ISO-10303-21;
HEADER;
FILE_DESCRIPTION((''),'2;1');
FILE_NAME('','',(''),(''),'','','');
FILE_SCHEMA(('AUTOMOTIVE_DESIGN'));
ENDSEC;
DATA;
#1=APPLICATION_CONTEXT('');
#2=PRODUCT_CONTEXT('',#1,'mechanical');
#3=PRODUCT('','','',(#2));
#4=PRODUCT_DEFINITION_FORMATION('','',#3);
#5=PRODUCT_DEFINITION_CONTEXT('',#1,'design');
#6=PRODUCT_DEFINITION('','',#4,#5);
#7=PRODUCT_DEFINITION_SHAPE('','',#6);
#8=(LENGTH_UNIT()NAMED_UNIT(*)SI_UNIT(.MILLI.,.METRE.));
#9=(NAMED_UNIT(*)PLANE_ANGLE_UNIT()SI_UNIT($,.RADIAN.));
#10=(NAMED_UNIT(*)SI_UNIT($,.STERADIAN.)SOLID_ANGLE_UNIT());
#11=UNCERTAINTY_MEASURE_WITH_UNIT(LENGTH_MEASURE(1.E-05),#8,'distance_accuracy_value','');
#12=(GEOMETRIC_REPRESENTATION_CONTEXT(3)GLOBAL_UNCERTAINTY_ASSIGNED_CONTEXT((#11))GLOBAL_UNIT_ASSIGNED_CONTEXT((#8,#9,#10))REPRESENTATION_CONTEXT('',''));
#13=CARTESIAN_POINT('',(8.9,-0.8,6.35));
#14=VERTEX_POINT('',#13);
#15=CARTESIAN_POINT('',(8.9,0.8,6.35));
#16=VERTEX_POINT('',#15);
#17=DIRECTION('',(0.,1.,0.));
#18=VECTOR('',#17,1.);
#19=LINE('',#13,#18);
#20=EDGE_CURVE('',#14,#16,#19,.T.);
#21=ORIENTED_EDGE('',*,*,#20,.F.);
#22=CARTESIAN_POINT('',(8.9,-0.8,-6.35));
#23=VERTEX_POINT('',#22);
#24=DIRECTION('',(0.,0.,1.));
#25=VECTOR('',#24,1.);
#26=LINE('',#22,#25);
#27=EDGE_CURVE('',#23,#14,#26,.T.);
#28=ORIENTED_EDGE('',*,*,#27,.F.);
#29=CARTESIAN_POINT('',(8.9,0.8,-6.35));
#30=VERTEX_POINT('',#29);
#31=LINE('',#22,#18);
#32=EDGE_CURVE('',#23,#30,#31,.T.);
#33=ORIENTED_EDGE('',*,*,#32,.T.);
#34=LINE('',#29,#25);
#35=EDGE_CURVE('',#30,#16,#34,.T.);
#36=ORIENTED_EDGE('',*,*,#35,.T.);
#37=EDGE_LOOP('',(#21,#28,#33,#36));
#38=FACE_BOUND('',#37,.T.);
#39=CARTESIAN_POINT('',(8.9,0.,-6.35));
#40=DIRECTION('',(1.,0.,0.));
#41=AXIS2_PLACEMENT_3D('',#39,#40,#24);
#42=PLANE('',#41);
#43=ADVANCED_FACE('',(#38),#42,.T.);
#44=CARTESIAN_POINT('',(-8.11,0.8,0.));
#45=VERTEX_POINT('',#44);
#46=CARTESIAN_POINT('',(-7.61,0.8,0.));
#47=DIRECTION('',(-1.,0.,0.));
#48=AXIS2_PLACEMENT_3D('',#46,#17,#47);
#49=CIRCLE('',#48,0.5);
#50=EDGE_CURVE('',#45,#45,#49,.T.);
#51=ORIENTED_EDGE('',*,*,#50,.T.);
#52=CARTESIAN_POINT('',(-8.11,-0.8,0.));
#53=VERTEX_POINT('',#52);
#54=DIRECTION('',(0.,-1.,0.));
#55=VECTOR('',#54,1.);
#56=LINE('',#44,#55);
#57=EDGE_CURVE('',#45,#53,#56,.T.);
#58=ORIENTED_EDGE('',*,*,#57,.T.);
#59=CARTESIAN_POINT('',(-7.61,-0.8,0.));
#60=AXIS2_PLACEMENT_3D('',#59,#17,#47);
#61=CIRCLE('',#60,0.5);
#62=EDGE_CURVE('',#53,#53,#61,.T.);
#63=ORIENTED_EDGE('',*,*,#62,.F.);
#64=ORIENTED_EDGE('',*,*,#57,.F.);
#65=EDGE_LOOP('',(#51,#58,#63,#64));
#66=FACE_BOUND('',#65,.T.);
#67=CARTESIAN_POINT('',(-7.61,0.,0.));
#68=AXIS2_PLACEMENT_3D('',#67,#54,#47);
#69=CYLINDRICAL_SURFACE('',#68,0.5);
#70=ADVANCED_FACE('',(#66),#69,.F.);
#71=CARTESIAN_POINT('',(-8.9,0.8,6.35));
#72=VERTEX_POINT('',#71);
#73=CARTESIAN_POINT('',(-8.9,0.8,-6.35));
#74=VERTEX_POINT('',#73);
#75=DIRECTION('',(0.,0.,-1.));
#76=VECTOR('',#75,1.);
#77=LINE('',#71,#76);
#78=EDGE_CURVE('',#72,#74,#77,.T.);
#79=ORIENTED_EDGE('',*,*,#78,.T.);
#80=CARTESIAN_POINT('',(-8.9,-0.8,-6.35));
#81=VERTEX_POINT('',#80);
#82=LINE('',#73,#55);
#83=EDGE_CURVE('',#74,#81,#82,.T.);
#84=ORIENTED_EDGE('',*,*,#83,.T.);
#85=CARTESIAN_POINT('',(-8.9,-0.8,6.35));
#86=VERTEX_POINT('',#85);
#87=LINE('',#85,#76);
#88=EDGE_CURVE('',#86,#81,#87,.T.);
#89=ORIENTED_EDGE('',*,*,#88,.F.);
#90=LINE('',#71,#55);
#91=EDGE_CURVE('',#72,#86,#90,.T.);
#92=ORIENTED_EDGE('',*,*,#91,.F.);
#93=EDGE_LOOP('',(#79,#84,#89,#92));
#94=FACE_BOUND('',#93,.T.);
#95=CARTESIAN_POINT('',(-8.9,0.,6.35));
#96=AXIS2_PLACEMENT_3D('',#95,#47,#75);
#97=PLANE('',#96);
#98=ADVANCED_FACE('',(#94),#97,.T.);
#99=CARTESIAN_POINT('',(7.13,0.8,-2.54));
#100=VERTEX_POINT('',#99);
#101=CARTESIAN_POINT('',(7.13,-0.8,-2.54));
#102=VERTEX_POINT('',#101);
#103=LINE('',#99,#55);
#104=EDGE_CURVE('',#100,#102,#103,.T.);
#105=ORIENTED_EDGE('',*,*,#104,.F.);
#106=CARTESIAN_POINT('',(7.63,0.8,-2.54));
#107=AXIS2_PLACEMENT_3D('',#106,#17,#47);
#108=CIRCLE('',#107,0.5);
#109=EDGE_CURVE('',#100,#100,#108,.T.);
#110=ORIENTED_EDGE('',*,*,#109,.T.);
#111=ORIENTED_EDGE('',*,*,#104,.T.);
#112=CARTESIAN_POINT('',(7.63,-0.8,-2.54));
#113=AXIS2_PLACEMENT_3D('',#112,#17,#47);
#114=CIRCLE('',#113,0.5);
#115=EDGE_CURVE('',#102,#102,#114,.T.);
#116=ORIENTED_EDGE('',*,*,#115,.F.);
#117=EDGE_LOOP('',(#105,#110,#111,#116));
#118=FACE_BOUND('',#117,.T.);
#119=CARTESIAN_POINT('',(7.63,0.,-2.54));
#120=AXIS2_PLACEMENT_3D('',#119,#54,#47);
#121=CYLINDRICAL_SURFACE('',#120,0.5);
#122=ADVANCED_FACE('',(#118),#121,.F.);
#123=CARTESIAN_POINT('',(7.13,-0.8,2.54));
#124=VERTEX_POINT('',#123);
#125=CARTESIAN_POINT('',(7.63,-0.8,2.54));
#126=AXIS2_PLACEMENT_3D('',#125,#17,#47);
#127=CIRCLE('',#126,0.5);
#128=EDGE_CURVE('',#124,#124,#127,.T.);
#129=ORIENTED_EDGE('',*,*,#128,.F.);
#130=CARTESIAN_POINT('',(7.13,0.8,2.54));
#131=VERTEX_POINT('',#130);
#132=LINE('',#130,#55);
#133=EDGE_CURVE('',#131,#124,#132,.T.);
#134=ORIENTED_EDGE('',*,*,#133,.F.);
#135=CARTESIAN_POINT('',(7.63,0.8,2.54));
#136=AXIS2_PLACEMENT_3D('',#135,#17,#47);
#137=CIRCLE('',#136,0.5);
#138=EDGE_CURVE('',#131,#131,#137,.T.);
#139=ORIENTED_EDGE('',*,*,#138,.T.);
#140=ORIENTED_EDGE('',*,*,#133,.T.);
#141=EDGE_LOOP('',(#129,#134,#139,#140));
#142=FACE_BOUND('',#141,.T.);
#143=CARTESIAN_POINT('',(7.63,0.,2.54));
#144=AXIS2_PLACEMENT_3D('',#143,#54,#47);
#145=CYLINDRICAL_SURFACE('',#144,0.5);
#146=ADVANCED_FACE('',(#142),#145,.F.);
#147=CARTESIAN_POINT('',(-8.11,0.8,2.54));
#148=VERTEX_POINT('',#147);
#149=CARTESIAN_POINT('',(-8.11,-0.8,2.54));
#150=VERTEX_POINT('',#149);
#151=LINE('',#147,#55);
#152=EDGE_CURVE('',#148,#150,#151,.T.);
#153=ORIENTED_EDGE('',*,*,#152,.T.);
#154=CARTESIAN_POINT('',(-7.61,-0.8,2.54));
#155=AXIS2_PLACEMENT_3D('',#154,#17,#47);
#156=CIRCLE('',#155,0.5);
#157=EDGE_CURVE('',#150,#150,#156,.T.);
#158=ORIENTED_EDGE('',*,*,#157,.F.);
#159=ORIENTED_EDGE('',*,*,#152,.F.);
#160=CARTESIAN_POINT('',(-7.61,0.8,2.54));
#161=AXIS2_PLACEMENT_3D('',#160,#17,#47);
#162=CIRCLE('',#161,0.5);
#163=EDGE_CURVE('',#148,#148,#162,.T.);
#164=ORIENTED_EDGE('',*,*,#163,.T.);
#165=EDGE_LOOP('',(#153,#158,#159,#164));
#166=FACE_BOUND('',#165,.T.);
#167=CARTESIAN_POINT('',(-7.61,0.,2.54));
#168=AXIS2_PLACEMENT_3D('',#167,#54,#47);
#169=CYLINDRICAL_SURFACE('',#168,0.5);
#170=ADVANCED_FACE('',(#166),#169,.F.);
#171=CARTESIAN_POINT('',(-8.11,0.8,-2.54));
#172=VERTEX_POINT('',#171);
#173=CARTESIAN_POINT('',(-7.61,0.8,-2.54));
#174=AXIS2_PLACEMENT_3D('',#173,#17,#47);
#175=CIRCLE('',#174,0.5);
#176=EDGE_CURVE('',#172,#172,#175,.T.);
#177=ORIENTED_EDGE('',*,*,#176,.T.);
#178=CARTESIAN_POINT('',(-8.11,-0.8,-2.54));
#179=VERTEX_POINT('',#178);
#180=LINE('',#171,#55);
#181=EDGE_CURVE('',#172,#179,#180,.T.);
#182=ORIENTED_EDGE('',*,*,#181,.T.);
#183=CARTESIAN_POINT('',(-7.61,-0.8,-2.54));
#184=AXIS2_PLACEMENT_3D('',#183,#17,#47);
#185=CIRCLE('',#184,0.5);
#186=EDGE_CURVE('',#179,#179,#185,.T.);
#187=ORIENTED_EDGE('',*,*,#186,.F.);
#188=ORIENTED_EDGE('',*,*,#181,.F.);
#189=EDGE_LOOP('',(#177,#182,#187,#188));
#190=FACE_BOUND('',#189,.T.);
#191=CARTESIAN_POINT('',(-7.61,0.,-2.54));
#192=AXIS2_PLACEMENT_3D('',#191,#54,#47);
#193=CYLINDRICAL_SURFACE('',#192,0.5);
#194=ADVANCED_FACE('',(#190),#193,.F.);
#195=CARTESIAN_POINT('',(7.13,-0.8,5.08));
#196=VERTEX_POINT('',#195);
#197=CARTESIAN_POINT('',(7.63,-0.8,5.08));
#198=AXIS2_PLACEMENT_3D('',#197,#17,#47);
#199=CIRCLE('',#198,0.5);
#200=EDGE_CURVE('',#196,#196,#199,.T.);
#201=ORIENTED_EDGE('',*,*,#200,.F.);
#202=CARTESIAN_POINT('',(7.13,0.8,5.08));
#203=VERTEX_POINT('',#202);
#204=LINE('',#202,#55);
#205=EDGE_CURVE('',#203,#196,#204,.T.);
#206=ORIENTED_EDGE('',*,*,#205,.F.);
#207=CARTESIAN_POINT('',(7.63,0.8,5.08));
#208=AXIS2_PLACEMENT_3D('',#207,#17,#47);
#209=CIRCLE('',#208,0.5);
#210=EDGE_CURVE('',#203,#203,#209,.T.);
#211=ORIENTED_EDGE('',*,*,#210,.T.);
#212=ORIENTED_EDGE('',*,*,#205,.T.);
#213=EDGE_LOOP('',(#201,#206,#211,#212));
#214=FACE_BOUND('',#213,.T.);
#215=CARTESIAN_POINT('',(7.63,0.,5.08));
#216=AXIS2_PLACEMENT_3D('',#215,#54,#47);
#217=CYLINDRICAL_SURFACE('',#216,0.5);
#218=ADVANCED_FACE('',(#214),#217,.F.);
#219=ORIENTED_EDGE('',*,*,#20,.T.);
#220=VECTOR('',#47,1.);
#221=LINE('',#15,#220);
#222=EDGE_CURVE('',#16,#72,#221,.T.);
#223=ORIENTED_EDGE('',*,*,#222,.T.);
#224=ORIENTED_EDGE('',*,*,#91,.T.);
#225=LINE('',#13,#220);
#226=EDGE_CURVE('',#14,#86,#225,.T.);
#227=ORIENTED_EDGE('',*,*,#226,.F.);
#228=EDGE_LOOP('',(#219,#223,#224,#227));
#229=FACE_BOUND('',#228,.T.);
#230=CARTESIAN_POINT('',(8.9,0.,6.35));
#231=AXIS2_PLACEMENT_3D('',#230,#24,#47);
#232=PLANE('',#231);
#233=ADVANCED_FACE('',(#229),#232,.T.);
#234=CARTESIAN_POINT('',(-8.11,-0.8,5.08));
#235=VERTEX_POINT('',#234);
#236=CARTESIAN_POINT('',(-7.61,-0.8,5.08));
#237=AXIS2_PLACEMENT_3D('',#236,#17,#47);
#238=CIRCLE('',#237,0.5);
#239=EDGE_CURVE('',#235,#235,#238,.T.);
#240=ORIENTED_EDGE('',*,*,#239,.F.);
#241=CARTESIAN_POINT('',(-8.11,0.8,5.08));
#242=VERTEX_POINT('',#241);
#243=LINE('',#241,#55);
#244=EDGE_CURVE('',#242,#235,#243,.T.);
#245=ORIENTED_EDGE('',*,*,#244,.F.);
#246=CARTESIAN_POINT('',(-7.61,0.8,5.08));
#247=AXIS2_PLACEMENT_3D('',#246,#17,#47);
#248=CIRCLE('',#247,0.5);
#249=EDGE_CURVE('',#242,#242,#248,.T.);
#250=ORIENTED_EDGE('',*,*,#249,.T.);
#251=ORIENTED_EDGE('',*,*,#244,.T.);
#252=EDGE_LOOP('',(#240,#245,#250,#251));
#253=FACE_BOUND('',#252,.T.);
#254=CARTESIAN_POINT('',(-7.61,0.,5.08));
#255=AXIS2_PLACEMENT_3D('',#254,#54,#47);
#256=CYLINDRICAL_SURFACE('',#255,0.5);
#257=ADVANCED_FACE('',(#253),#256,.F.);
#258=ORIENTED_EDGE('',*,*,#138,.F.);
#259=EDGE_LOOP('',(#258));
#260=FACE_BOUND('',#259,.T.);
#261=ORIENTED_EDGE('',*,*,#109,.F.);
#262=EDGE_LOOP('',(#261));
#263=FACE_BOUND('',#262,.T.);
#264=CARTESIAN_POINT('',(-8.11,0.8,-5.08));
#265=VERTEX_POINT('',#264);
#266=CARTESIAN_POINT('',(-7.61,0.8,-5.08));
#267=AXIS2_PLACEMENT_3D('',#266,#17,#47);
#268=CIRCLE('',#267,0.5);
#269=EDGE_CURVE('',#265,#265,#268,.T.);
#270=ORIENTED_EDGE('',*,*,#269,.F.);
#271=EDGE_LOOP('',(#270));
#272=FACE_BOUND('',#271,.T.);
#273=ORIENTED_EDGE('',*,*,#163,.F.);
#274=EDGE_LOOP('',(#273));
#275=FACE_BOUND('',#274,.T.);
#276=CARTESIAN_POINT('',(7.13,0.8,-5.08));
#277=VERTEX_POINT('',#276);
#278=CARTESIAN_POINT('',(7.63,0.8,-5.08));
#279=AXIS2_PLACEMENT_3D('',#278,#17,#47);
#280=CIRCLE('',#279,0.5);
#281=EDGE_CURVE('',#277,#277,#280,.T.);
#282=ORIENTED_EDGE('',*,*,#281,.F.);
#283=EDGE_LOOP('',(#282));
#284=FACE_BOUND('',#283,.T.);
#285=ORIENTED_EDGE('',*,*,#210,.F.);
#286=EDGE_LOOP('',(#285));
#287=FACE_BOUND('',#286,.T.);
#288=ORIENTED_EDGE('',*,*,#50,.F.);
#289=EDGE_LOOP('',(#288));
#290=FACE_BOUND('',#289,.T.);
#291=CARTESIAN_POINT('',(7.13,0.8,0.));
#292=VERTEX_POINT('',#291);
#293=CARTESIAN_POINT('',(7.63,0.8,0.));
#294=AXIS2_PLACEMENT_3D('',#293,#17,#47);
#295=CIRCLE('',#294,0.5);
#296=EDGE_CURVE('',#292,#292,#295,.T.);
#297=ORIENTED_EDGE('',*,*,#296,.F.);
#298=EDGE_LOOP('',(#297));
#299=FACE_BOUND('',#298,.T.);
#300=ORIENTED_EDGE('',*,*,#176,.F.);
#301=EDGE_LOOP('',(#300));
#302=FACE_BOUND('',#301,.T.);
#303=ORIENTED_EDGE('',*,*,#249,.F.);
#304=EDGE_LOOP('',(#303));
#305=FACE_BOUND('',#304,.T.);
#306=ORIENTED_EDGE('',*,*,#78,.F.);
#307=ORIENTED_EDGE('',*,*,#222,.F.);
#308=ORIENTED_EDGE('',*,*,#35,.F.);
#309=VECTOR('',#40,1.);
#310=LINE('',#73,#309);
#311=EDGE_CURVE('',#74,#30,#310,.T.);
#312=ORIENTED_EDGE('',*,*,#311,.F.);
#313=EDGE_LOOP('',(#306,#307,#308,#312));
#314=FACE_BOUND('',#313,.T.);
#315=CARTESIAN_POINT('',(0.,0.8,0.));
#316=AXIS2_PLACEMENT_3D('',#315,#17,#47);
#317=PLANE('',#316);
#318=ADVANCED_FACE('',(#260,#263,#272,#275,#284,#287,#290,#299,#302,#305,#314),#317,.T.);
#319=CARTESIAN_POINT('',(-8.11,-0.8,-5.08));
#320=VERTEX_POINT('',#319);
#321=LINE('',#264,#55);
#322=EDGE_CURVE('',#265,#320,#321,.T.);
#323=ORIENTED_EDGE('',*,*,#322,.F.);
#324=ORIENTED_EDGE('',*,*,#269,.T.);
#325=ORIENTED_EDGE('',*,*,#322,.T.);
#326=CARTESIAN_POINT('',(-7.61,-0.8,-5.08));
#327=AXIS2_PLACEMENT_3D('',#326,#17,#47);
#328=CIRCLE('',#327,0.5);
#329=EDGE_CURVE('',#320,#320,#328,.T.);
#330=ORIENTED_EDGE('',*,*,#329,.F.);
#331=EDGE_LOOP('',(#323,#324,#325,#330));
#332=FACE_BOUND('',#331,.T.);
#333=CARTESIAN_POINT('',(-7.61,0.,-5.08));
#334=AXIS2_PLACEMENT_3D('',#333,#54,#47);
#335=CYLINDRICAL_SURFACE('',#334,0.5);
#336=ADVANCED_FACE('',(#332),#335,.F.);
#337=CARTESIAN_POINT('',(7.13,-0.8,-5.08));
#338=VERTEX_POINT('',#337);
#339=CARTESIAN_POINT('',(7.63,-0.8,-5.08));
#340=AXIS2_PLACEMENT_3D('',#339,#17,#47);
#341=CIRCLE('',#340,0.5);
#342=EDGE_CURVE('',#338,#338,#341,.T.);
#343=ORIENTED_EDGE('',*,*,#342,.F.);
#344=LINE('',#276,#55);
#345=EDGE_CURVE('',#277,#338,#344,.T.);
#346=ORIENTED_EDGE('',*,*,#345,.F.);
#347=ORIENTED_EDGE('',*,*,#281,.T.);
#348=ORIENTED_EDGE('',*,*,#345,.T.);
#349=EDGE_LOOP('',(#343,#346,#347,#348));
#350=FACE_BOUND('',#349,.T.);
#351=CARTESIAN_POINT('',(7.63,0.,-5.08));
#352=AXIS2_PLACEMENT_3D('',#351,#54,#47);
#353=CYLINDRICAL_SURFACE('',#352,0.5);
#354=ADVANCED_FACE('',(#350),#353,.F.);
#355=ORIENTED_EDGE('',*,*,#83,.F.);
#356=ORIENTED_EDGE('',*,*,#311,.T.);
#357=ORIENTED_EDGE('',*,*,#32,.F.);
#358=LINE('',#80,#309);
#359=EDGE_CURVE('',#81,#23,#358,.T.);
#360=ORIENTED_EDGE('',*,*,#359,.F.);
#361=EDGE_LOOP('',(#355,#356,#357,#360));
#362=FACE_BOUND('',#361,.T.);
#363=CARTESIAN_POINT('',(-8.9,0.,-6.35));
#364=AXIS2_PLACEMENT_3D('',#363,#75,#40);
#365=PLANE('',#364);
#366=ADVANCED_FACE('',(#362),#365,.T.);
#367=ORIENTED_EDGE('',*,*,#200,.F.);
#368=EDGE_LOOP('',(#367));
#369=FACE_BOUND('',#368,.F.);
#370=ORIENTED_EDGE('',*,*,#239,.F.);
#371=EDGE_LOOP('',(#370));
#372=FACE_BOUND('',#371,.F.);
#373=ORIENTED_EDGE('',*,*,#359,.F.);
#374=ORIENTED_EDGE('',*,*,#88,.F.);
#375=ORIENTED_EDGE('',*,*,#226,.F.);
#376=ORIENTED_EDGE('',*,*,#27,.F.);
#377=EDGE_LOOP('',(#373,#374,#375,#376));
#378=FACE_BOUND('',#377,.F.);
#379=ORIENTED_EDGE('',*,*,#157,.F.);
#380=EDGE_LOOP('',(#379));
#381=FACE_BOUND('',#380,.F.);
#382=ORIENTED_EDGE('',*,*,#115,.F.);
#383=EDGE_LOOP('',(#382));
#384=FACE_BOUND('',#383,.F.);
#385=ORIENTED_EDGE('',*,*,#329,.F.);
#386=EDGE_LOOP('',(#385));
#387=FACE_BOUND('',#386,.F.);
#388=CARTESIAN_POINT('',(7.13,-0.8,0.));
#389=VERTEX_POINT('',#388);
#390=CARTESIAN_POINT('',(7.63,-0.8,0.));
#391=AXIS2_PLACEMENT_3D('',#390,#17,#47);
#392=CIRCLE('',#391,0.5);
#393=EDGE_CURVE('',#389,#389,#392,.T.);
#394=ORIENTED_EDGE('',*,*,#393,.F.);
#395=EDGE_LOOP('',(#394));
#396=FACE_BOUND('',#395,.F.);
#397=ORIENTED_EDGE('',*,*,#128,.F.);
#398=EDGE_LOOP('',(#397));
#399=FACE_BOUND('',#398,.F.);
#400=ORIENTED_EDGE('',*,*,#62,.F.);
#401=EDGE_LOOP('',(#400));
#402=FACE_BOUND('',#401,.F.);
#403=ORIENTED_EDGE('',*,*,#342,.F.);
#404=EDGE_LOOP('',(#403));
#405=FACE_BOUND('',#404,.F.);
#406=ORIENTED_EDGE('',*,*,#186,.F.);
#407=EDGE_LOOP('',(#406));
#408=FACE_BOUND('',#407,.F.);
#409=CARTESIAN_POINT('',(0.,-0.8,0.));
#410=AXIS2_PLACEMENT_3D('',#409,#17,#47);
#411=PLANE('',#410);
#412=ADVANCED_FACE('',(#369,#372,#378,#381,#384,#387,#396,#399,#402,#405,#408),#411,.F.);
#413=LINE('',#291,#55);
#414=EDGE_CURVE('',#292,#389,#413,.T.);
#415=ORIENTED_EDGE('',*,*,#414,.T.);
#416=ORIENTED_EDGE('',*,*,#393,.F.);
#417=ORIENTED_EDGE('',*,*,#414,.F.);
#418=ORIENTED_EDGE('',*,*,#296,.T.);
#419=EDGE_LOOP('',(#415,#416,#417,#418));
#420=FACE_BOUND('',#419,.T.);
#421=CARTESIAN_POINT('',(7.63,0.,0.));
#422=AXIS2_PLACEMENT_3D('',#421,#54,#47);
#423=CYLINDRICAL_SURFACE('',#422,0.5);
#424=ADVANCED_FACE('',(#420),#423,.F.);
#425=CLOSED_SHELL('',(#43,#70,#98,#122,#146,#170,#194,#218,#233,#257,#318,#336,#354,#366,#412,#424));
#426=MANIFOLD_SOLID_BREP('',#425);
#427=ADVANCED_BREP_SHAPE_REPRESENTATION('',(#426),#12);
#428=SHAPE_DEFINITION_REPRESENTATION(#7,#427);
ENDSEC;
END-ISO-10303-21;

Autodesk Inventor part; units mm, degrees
ref_plane "YZ Plane" through (0, 0, 0) normal (1, 0, 0) x (0, 1, 0)
sketch "Sketch2" plane through (0, 0, 0) normal (0, 1, 0) x (-1, 0, 0)
  line L0 (-8.9, 6.35) -> (8.9, 6.35)
  line L1 (8.9, 6.35) -> (8.9, -6.35)
  line L2 (8.9, -6.35) -> (-8.9, -6.35)
  line L3 (-8.9, -6.35) -> (-8.9, 6.35)
  line L4 (-8.9, 6.35) -> (8.9, -6.35) construction
  line L5 (8.9, 6.35) -> (-8.9, -6.35) construction
  circle A0 centre (-7.63, 5.08) radius 0.5
  circle A1 centre (-7.63, 2.54) radius 0.5
  circle A2 centre (-7.63, -2.54) radius 0.5
  circle A3 centre (-7.63, -5.08) radius 0.5
  circle A4 centre (7.61, -5.08) radius 0.5
  circle A5 centre (7.61, -2.54) radius 0.5
  circle A6 centre (7.61, 0) radius 0.5
  circle A7 centre (7.61, 2.54) radius 0.5
  circle A8 centre (7.61, 5.08) radius 0.5
  circle A9 centre (-7.63, 0) radius 0.5
  point P0 (0, 0)
  point P1 (-7.63, -5.08)
  point P2 (-7.63, -2.54)
  point P3 (-7.63, 0)
  point P4 (-7.63, 2.54)
  point P5 (7.61, -2.54)
  point P6 (7.61, 2.54)
  dimension "d1" = 17.8
  dimension "d2" = 12.7
  dimension "d5" = 1.27
  dimension "d6" = 1.27
  dimension "d9" = 2.54
  dimension "d12" = 15.24
  dimension "d15" = 1
  dimension "d20" = 1
  dimension "d25" = 1
  dimension "d30" = 1
  dimension "d35" = 1
  dimension "d40" = 1
  dimension "d45" = 1
  dimension "d50" = 1
  dimension "d55" = 1
  dimension "d60" = 1
extrude "Extrusion2" add sketch "Sketch2" along normal mid plane 1.6
ref_plane "Work Plane1" through (0, 8.55, 0) normal (0, 1, 0) x (1, 0, 0)
sketch "Sketch3" plane through (0, 8.55, 0) normal (0, 1, 0) x (1, 0, 0)
  line L0 (-8.9372, -7.2611) -> (-8.9372, 7.6441) construction
  line L1 (-8.9372, 7.6441) -> (9.9152, 7.6441) construction
  line L2 (9.9152, 7.6441) -> (9.9152, -7.2611) construction
  line L3 (9.9152, -7.2611) -> (-8.9372, -7.2611) construction
  circle A0 centre (7.63, 0) radius 0.5 projected
  circle A1 centre (-7.61, -5.08) radius 0.5 projected
  circle A2 centre (-7.61, -2.54) radius 0.5 projected
  circle A3 centre (-7.61, 0) radius 0.5 projected
  circle A4 centre (-7.61, 2.54) radius 0.5 projected
  circle A5 centre (-7.61, 5.08) radius 0.5 projected
  circle A6 centre (7.63, 5.08) radius 0.5 projected
  circle A7 centre (7.63, 2.54) radius 0.5 projected
  circle A8 centre (7.63, -2.54) radius 0.5 projected
  circle A9 centre (7.63, -5.08) radius 0.5 projected
  line L4 (-8.9, -6.35) -> (8.9, -6.35) projected
  line L5 (8.9, -6.35) -> (8.9, 6.35) projected
  line L6 (8.9, 6.35) -> (-8.9, 6.35) projected
  line L7 (-8.9, 6.35) -> (-8.9, -6.35) projected
  point P0 (0, 0)
decal "Decal1"
ref_plane "Work Plane2" through (0, -20.05, 0) normal (0, -1, 0) x (1, 0, 0)
sketch "Sketch4" plane through (0, -20.05, 0) normal (0, -1, 0) x (1, 0, 0)
  line L0 (-9.0888, -7.7888) -> (-9.0888, 7.0827) construction
  line L1 (-9.0888, 7.0827) -> (9.7209, 7.0827) construction
  line L2 (9.7209, 7.0827) -> (9.7209, -7.7888) construction
  line L3 (9.7209, -7.7888) -> (-9.0888, -7.7888) construction
  circle A0 centre (7.63, 0) radius 0.5 projected
  circle A1 centre (-7.61, 5.08) radius 0.5 projected
  circle A2 centre (-7.61, 2.54) radius 0.5 projected
  circle A3 centre (-7.61, 0) radius 0.5 projected
  circle A4 centre (-7.61, -2.54) radius 0.5 projected
  circle A5 centre (-7.61, -5.08) radius 0.5 projected
  circle A6 centre (7.63, -5.08) radius 0.5 projected
  circle A7 centre (7.63, -2.54) radius 0.5 projected
  circle A8 centre (7.63, 2.54) radius 0.5 projected
  circle A9 centre (7.63, 5.08) radius 0.5 projected
  line L4 (8.9, 6.35) -> (-8.9, 6.35) projected
  line L5 (-8.9, 6.35) -> (-8.9, -6.35) projected
  line L6 (-8.9, -6.35) -> (8.9, -6.35) projected
  line L7 (8.9, -6.35) -> (8.9, 6.35) projected
  point P0 (0, 0)
decal "Decal2"
properties part number "microsdadapterboard" material "GFRC"
